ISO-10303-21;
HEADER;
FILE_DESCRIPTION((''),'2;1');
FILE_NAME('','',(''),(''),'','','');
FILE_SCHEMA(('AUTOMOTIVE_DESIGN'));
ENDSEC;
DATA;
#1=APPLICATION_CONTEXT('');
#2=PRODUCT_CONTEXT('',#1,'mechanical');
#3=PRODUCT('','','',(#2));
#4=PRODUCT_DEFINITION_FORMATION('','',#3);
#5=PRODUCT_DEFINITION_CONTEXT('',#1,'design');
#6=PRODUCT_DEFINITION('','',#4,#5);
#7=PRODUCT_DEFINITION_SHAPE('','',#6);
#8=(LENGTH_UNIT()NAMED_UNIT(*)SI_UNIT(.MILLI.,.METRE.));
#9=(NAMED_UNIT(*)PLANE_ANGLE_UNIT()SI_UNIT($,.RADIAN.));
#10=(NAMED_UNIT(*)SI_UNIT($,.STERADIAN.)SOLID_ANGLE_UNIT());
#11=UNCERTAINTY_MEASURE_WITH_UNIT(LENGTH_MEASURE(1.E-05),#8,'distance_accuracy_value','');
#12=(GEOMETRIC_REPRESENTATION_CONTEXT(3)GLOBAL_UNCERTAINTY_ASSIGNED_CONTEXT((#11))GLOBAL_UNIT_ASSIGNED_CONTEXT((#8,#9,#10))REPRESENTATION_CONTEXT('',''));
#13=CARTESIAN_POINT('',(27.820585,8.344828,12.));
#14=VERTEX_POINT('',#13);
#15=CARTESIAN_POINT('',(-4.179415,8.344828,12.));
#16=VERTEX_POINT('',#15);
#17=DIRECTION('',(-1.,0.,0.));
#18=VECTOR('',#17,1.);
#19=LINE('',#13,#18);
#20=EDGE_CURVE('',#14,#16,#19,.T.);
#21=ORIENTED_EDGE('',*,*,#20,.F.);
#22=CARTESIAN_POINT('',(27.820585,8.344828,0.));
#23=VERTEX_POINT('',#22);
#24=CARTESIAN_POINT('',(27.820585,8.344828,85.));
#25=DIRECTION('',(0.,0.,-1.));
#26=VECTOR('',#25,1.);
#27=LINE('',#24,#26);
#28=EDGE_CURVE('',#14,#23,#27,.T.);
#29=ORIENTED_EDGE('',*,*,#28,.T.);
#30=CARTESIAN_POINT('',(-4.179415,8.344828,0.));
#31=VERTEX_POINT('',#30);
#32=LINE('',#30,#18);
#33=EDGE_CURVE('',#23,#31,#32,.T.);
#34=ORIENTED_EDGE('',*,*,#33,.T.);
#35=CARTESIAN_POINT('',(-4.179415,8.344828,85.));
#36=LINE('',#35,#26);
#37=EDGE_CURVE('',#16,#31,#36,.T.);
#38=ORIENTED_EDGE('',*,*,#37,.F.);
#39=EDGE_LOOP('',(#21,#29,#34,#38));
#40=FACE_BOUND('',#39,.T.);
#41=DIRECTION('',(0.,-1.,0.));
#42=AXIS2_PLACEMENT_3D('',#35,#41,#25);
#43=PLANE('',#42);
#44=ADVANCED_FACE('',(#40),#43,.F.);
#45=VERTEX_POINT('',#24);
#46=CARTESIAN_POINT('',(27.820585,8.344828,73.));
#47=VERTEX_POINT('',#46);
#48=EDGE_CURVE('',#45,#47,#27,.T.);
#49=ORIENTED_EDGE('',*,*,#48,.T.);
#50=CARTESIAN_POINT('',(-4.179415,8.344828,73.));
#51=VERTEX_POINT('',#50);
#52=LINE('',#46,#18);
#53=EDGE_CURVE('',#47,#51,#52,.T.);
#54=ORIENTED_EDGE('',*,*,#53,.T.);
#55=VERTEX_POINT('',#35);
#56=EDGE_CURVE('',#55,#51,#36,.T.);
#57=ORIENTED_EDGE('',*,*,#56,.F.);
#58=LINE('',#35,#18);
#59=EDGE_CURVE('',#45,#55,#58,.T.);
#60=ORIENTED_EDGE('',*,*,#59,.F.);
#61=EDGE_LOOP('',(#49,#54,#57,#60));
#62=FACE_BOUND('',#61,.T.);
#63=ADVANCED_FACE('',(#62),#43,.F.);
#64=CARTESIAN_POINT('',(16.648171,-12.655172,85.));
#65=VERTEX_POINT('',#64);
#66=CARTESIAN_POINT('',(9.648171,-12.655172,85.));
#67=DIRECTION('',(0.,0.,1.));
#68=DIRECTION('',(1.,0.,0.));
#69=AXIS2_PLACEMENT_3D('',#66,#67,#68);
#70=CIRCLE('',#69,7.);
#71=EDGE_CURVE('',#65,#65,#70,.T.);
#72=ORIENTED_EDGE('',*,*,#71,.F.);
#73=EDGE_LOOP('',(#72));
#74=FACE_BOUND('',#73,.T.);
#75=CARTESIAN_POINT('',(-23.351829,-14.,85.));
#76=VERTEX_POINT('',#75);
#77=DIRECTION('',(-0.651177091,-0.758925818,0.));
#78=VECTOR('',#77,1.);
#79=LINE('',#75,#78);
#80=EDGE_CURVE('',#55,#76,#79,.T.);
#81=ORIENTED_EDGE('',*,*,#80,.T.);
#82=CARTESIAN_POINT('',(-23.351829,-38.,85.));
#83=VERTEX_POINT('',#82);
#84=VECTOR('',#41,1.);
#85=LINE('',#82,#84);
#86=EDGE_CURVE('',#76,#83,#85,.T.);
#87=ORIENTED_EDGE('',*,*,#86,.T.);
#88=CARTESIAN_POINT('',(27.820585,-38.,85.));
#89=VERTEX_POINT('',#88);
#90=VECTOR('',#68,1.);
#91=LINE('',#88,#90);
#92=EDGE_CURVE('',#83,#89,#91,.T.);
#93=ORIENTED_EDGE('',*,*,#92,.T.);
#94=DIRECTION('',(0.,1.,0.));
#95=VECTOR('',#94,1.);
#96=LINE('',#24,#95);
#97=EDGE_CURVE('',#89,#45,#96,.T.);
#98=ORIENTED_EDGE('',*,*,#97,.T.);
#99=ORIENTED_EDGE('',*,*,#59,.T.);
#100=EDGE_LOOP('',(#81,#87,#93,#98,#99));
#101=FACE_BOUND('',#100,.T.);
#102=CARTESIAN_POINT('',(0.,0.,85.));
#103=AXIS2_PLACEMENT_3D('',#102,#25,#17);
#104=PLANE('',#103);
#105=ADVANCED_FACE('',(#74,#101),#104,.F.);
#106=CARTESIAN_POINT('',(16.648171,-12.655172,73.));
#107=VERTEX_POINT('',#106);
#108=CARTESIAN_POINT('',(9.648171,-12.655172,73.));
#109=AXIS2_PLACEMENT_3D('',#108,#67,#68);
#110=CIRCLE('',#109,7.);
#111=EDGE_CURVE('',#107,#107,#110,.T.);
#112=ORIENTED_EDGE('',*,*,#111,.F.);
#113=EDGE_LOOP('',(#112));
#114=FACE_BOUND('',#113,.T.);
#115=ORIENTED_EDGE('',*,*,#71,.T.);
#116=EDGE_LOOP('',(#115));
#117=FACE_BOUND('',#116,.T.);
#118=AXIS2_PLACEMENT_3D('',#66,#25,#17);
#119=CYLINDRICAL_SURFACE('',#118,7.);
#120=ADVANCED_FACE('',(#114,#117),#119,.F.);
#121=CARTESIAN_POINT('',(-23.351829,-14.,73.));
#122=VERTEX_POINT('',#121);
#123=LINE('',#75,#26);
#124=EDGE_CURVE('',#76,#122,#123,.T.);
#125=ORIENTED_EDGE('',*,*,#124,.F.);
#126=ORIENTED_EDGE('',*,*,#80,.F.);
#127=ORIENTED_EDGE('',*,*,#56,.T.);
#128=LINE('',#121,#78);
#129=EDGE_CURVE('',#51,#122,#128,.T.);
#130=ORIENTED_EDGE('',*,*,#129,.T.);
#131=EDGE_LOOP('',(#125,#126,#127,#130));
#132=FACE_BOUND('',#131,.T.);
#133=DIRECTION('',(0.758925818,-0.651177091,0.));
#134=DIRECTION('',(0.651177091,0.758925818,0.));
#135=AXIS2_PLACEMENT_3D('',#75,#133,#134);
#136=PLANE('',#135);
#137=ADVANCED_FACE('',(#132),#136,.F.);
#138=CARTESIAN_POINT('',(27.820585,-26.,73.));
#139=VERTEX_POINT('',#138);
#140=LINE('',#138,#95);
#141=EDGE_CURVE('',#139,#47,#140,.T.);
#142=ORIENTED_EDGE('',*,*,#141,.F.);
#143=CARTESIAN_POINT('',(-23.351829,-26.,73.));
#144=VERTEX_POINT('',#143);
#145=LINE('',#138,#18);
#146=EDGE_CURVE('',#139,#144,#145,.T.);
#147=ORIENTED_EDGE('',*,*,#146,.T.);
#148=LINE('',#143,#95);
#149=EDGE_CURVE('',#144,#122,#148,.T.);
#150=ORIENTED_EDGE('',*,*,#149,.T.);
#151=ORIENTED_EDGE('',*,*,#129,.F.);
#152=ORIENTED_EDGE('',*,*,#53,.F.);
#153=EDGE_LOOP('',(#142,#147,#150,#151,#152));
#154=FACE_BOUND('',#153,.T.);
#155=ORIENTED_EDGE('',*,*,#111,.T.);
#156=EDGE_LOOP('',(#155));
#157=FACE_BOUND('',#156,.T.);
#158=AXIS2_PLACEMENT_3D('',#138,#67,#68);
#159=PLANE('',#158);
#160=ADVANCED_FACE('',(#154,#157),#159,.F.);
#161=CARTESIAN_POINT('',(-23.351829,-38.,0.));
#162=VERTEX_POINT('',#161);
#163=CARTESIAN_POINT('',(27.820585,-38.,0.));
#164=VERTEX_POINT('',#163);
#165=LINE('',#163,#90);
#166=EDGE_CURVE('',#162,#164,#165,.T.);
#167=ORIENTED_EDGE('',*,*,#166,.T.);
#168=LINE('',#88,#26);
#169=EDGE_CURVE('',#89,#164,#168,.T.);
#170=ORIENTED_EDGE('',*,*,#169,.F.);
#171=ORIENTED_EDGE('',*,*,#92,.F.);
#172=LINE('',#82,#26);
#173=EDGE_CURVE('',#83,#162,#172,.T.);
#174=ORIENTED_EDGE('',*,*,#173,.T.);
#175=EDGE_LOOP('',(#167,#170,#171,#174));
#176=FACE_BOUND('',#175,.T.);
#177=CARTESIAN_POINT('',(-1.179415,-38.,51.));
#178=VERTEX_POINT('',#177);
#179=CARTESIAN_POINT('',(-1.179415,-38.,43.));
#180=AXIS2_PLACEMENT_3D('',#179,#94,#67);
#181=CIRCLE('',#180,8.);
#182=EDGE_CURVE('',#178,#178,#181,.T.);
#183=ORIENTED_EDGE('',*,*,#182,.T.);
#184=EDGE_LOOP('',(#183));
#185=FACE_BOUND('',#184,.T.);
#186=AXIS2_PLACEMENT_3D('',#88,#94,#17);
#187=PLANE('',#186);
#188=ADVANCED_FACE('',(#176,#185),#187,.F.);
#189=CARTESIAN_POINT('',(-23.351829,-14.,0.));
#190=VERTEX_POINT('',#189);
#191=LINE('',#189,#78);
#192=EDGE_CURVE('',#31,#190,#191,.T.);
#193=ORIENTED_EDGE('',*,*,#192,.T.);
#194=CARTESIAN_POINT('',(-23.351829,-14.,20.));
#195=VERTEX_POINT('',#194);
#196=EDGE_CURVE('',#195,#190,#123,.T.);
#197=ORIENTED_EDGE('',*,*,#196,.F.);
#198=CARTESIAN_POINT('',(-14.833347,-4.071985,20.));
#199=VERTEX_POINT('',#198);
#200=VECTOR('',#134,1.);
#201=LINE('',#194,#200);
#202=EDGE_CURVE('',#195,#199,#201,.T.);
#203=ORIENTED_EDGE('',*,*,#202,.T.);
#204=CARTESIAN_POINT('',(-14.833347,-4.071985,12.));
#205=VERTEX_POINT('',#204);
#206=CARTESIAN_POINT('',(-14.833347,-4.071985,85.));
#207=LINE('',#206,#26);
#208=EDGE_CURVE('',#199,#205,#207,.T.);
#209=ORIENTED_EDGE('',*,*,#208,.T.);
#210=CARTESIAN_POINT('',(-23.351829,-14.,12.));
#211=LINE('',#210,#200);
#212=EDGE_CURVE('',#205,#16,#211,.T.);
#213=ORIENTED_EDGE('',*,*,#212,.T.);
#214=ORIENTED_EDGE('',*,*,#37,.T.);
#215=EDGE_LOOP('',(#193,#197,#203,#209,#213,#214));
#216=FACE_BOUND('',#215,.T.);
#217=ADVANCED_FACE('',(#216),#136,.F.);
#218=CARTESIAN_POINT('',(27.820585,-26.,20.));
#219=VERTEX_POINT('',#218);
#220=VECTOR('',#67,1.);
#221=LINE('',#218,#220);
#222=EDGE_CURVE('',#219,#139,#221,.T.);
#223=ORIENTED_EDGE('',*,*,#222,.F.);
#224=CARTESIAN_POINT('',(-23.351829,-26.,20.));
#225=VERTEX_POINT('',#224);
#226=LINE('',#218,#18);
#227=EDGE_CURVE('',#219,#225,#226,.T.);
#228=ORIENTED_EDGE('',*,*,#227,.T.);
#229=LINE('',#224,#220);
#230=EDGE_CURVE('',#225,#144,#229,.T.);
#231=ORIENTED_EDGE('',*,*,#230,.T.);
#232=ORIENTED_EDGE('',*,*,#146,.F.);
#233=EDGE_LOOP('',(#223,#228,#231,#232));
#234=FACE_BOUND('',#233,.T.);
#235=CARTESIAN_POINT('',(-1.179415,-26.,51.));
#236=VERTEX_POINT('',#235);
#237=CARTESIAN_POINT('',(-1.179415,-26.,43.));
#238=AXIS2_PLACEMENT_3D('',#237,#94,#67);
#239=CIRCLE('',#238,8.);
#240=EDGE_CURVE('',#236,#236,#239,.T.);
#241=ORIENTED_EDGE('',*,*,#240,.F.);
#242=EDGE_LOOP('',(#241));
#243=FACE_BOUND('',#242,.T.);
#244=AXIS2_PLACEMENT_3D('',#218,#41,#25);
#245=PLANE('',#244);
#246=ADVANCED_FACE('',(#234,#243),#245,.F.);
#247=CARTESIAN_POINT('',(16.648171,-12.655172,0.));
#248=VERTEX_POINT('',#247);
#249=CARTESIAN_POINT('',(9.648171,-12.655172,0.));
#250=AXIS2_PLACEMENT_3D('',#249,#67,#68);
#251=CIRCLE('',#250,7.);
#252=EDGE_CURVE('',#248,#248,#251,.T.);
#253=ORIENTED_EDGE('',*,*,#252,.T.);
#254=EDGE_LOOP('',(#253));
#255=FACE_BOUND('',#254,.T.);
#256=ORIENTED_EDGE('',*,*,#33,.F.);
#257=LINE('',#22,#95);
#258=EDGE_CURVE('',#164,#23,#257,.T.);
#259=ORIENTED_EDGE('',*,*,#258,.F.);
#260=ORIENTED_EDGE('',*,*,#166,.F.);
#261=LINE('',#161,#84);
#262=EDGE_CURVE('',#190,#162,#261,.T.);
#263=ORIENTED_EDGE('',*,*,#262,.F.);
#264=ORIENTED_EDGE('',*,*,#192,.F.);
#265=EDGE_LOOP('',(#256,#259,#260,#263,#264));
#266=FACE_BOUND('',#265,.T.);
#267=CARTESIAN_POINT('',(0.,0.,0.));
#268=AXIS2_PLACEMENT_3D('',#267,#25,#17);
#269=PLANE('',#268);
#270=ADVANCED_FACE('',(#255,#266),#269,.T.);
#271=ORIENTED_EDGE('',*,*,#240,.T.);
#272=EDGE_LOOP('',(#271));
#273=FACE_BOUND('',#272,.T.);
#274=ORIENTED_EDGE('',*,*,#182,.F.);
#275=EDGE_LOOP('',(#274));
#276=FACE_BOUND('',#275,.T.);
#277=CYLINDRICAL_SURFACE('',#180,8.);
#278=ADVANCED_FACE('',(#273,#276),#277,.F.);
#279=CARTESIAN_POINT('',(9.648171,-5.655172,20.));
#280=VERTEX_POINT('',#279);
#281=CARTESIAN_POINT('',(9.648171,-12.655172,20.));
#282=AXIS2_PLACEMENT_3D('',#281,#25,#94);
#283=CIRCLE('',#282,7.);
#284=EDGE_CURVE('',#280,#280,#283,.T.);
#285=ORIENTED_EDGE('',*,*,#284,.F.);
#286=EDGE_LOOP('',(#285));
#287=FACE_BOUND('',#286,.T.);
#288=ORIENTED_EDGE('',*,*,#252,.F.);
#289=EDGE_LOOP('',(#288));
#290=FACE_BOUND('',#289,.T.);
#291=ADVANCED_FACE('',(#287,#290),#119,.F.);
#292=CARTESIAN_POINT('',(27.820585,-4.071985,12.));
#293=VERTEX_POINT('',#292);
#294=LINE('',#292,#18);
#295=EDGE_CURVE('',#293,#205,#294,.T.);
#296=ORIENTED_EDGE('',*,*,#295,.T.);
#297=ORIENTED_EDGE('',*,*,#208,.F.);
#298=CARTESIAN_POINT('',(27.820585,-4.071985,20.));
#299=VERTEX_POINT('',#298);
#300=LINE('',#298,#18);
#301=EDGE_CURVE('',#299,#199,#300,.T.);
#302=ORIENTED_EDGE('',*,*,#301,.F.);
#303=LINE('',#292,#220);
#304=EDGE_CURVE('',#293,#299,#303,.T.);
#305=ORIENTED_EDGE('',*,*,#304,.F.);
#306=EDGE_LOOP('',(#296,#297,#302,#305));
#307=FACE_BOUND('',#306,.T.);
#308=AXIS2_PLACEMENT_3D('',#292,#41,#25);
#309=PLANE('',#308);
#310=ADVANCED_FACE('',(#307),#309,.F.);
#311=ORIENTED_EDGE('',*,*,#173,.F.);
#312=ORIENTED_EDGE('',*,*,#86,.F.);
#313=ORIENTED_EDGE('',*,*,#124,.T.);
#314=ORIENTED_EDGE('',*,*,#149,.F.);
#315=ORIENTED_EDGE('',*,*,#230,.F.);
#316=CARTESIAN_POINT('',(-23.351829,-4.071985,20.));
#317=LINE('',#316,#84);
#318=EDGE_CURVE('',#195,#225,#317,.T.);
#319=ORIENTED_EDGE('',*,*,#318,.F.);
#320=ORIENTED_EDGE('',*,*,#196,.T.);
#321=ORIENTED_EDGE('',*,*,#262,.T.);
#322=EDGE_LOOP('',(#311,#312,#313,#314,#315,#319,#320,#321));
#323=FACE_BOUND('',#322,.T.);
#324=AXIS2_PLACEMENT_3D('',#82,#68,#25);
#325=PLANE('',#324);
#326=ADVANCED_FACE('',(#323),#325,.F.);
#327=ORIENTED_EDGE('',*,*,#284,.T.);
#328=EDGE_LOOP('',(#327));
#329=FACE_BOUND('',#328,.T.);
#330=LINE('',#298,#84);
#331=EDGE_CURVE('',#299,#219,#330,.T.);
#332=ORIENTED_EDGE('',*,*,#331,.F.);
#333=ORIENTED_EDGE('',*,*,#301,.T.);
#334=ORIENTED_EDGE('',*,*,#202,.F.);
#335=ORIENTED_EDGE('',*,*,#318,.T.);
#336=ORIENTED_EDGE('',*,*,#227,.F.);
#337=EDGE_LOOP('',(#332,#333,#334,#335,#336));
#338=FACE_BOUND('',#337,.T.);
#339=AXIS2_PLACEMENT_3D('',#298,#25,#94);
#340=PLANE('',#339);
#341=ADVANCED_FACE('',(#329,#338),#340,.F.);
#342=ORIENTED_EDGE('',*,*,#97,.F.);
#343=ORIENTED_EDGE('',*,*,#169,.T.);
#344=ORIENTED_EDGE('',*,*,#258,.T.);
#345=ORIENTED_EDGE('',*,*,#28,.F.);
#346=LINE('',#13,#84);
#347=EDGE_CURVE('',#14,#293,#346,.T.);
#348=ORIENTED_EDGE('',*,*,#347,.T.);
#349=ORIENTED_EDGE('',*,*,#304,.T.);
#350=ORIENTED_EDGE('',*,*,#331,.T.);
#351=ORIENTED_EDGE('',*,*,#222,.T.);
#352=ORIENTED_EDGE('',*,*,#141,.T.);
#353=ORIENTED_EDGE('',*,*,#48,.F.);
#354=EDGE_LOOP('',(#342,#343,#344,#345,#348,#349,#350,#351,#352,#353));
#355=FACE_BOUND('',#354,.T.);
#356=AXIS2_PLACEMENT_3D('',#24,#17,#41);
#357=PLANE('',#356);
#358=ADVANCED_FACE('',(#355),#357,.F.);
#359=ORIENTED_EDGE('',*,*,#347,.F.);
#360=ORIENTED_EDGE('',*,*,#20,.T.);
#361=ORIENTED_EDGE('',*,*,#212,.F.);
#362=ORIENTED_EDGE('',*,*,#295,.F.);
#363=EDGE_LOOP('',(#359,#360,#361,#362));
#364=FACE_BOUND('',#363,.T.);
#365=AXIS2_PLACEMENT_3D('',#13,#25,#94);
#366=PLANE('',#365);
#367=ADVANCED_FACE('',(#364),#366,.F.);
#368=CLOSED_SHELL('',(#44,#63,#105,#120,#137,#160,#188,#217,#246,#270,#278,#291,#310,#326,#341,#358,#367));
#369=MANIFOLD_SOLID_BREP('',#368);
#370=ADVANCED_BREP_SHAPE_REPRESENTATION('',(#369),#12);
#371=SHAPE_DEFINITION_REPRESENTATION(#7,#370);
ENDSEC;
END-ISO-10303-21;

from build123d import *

# Parameters (mm, degrees)
SKETCH_1_R          = 7
EXTRUDE_1_DEPTH     = 85
CUT_EXTRUDE_1_DEPTH = 107.24319241
SKETCH_3_R          = 8
CUT_EXTRUDE_2_DEPTH = 96.804760434


with BuildPart() as part:
    # 스케치1 → 보스-돌출1 (new body)
    with BuildSketch(Plane.XY):
        Polygon((-23.351828972, -14), (-4.179415178, 8.344827586), (27.820584822, 8.344827586), (27.820584822, -38), (-23.351828972, -38), align=None)
        with Locations((9.648171028, -12.655172414)):
            Circle(SKETCH_1_R, mode=Mode.SUBTRACT)
    extrude(amount=EXTRUDE_1_DEPTH)

    # 스케치2 → 컷-돌출1 (cut, through all)
    with BuildSketch(Plane.ZY.offset(23.351828972)):
        Polygon((12, 8.344827586), (12, -4.071985155), (20, -4.071985155), (20, -26), (73, -26), (73, 8.344827586), align=None)
    extrude(amount=-CUT_EXTRUDE_1_DEPTH, mode=Mode.SUBTRACT)

    # 스케치3 → 컷-돌출2 (cut, through all)
    with BuildSketch(Plane(origin=(0, -26, 0), x_dir=(1, 0, 0), z_dir=(0, 1, 0))):
        with Locations(Location((-1.179415178, -43, 0), (0, 0, 270))):
            Circle(SKETCH_3_R)
    extrude(amount=-CUT_EXTRUDE_2_DEPTH, mode=Mode.SUBTRACT)


solid = part.part
